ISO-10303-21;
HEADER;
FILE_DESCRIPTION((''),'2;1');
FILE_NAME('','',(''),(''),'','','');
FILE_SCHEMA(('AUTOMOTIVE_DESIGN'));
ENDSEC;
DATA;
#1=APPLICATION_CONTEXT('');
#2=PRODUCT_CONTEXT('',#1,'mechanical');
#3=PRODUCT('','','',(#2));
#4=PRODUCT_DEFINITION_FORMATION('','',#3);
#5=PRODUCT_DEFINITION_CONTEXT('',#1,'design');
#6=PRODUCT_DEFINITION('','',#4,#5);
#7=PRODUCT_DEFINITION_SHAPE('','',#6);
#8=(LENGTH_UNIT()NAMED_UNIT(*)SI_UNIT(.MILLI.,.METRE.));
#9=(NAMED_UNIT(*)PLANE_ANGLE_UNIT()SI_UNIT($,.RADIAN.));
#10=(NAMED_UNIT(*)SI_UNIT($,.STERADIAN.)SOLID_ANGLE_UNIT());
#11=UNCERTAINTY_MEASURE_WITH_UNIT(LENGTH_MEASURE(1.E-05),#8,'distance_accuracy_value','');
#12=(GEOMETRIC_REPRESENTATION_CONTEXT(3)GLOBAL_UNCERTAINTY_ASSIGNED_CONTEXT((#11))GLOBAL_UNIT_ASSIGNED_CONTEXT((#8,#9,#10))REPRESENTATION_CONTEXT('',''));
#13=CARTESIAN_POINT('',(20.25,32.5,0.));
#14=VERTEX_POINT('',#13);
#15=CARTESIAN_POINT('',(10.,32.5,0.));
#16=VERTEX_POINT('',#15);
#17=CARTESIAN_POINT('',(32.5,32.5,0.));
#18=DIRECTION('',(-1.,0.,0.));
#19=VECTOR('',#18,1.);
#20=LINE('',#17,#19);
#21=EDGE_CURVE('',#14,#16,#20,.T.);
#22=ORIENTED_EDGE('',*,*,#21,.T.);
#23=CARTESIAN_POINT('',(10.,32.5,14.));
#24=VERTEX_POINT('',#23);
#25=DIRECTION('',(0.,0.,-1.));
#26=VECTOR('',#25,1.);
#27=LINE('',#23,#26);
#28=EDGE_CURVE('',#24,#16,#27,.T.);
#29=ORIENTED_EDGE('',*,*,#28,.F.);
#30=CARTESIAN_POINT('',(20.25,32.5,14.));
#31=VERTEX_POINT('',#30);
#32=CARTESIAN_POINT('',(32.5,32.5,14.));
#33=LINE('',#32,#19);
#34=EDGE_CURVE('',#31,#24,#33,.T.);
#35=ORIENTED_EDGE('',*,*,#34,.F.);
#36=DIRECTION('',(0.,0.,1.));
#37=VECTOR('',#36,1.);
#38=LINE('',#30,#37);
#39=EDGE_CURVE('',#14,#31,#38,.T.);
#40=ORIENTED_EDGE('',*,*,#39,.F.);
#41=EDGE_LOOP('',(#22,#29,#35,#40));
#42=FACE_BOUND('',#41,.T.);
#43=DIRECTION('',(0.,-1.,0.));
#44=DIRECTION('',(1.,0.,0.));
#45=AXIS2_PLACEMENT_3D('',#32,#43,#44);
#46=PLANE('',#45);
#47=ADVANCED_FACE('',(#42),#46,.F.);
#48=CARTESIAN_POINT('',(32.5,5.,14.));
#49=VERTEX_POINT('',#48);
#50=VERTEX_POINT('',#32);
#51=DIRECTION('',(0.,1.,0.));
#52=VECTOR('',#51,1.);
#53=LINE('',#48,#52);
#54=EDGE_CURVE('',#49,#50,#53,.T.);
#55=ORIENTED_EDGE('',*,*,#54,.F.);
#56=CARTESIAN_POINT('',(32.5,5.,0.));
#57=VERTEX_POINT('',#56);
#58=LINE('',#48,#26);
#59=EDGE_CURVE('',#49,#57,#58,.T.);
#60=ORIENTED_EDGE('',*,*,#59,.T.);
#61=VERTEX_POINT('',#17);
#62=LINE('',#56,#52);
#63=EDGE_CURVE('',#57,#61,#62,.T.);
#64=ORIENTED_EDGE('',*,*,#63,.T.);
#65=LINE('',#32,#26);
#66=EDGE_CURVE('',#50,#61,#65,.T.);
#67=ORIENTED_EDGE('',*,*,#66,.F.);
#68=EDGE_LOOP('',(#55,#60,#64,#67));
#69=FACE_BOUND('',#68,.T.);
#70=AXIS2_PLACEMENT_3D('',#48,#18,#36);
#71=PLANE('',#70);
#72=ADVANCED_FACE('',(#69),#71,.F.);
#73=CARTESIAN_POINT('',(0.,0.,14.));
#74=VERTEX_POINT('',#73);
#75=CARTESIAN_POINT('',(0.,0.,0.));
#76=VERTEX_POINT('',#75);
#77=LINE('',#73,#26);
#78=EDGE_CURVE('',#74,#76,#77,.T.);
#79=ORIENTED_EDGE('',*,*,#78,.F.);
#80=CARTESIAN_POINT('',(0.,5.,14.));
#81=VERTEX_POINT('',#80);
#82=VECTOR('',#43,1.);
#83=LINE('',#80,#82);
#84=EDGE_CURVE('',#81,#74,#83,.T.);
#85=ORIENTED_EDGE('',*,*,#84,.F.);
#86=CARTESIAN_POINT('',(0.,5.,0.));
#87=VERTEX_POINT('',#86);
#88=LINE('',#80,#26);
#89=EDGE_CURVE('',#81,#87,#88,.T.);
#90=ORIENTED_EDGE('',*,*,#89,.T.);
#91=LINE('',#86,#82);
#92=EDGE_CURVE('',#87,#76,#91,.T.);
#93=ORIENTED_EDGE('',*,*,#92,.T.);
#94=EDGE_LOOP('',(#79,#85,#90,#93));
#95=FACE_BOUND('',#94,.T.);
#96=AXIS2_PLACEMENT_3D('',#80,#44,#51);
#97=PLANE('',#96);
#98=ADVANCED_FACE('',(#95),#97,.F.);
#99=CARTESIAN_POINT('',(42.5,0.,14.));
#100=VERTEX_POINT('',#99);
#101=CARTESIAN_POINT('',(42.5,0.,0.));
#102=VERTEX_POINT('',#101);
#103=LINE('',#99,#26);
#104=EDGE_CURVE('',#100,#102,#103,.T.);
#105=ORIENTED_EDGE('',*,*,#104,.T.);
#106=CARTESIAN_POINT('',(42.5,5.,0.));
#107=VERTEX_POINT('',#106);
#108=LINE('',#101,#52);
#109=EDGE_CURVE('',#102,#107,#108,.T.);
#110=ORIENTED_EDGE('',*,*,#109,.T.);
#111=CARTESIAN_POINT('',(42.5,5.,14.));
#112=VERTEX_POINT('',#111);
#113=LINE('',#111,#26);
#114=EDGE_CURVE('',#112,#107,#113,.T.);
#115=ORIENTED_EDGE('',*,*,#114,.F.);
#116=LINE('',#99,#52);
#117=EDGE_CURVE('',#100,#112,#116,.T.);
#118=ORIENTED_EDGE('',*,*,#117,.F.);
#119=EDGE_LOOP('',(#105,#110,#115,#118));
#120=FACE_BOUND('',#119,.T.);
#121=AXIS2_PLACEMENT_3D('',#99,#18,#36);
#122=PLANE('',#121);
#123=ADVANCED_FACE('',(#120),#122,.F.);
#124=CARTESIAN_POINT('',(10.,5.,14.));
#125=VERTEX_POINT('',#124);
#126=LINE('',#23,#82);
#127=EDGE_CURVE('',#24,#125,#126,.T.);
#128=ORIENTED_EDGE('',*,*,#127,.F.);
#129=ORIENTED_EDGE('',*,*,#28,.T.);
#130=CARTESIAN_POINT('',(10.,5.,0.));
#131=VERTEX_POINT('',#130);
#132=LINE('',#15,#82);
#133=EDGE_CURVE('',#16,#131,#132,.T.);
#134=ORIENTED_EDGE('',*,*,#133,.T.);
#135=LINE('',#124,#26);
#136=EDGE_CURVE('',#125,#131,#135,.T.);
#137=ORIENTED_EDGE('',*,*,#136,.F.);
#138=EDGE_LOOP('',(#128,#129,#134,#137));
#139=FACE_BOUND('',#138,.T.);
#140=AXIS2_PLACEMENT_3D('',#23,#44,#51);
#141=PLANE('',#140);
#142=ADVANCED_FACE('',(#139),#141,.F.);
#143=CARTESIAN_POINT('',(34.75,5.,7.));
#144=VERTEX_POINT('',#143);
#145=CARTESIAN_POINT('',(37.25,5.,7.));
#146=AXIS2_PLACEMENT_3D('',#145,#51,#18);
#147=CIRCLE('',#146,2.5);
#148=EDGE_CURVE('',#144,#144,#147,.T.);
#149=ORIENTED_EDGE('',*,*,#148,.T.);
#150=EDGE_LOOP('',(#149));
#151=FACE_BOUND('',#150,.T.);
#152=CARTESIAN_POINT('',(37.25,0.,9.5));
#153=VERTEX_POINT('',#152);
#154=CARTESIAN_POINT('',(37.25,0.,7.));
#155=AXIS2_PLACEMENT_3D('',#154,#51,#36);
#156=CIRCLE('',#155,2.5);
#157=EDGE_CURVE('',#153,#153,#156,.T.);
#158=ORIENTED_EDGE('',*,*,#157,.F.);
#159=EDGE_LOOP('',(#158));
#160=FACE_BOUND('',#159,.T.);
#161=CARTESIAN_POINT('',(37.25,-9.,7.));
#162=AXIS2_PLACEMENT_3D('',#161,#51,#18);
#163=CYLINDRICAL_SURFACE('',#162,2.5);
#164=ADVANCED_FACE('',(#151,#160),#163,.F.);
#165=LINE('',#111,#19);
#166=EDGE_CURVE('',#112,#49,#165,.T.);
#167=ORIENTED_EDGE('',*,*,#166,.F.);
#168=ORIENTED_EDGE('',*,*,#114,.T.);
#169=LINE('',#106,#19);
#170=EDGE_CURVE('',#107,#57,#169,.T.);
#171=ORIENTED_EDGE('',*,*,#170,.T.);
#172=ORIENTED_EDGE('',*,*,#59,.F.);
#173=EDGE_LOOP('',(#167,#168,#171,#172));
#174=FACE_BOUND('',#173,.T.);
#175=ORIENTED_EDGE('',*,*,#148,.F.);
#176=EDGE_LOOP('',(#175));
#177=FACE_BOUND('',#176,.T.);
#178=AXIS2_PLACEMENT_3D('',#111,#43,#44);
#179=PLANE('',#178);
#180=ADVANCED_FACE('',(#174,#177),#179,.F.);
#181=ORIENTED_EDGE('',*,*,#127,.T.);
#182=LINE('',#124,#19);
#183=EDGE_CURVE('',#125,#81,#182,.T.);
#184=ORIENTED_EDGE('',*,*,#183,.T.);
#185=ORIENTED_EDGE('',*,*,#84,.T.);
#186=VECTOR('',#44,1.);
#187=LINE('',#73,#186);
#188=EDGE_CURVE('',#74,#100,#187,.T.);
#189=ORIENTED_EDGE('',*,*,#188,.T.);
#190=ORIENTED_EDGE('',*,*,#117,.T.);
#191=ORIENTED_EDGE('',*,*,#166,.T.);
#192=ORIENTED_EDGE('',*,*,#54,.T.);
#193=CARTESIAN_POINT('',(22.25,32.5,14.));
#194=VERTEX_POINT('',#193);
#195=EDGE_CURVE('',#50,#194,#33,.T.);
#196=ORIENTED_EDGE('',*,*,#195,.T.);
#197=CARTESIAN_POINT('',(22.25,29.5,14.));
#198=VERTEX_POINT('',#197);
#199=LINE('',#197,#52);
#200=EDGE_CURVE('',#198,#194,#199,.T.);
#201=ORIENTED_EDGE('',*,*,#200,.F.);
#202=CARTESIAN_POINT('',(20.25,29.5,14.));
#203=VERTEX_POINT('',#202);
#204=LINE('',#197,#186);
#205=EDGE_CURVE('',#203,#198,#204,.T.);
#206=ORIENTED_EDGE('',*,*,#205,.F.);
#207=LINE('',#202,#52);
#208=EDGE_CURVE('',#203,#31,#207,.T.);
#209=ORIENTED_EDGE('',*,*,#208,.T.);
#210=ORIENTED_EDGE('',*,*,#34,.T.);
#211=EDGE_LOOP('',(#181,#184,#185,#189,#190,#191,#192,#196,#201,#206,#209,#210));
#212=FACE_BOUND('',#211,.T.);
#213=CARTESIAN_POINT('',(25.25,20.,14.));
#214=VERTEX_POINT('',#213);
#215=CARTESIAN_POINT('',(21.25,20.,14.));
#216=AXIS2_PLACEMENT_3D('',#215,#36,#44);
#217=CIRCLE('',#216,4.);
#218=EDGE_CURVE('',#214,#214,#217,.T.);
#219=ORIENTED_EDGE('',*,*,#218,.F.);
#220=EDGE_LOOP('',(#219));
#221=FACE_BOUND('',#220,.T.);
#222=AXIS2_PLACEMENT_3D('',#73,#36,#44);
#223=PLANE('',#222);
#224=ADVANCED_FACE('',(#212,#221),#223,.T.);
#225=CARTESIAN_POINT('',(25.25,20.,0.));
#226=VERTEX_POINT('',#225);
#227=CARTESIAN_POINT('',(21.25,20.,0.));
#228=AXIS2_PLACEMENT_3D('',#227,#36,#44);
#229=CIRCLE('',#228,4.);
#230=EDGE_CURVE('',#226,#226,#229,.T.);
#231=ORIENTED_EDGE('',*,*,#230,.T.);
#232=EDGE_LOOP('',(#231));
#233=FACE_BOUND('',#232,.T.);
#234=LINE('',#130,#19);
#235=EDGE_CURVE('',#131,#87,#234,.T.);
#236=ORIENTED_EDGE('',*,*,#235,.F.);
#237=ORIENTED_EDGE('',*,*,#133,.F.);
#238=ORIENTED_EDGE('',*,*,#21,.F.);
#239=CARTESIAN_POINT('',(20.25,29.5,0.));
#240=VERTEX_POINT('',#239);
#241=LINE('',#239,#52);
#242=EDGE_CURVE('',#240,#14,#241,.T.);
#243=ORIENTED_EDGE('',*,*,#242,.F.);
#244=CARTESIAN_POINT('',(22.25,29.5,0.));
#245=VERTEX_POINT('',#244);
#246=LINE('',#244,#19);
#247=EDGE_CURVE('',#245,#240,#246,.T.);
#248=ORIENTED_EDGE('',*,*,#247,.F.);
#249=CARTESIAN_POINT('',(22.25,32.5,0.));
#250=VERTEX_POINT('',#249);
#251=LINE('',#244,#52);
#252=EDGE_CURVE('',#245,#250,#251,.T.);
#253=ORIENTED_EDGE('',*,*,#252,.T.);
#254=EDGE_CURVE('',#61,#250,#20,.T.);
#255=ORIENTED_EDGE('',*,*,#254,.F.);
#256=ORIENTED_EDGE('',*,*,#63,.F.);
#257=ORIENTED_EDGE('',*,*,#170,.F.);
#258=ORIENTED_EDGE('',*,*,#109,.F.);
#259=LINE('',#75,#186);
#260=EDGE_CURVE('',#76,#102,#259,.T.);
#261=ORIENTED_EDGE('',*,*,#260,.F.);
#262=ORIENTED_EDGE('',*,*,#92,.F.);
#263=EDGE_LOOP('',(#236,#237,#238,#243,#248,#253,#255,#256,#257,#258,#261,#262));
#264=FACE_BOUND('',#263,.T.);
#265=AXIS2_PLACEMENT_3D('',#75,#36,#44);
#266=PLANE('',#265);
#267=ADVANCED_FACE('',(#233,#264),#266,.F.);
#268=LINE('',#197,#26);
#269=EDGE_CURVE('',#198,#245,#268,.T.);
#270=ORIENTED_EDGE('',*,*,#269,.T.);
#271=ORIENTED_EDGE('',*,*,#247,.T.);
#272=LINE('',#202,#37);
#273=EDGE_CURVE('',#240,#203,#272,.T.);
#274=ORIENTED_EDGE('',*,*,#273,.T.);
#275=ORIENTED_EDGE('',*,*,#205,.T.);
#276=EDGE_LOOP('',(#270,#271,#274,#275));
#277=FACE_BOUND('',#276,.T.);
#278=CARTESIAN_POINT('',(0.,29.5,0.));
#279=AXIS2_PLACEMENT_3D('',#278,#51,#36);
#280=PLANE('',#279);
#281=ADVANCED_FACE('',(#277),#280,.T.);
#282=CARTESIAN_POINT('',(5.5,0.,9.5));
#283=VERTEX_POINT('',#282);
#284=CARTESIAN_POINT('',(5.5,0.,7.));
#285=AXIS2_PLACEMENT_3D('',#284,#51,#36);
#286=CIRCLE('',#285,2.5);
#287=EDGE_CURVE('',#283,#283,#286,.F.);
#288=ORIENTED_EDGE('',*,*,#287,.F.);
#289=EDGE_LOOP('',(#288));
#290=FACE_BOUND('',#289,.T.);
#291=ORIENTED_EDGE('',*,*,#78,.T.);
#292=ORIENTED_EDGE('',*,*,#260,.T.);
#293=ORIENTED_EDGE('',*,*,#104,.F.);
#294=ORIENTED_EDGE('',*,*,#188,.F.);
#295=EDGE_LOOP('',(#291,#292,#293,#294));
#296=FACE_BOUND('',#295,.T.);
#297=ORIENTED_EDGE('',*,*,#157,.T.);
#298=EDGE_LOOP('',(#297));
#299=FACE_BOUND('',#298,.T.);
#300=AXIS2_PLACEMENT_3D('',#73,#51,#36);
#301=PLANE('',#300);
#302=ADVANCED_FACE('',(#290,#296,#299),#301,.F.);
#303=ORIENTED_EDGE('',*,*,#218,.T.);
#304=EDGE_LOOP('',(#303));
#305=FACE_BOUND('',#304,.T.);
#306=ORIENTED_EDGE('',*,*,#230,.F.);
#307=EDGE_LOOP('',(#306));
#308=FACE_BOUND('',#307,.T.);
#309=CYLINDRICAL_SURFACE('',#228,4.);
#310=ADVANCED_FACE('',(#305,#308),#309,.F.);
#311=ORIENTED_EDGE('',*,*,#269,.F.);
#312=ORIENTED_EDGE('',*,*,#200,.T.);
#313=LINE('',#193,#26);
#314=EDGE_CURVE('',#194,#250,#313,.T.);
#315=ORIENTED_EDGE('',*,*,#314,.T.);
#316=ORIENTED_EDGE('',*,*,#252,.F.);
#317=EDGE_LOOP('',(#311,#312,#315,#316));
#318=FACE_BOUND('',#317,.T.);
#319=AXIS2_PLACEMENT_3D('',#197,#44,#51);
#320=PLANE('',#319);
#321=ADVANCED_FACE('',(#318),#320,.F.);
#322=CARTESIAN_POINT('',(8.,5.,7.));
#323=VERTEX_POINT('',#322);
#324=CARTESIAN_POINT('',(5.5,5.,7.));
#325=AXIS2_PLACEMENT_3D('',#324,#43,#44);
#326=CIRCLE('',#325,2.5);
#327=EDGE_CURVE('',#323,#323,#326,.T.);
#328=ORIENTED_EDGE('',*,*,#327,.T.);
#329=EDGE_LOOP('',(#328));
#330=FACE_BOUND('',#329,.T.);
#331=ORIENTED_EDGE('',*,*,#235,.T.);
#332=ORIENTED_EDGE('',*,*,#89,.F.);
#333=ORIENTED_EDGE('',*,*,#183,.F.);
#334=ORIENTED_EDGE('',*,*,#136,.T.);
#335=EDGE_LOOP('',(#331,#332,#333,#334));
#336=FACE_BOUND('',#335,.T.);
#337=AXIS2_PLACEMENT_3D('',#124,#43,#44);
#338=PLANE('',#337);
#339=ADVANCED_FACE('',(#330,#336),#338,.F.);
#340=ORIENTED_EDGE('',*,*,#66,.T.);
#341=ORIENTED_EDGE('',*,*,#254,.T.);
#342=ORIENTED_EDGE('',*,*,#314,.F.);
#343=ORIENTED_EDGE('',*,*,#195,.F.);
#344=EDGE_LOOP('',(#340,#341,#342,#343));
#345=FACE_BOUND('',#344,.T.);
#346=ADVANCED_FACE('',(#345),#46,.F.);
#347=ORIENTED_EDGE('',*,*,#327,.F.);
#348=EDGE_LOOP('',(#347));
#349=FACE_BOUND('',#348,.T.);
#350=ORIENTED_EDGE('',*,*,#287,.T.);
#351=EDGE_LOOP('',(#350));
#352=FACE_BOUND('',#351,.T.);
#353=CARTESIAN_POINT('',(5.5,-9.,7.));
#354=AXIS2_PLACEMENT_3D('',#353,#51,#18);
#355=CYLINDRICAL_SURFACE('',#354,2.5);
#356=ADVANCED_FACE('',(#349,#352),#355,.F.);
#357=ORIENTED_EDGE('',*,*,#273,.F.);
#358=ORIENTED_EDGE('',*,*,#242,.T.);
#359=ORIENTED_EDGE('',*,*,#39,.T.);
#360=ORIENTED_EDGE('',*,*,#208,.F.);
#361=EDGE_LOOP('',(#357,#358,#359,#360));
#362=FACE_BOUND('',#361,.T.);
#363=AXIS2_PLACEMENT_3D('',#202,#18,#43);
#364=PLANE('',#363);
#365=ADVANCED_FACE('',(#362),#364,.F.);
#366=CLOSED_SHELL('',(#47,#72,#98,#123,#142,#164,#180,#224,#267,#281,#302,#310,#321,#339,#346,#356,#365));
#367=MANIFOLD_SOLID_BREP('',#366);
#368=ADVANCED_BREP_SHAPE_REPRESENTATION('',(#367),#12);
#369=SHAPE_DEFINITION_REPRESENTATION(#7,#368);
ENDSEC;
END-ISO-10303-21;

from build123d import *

# Parameters (mm, degrees)
BOSS_EXTRUDE1_DEPTH = 14
SKETCH2_R           = 4
CUT_EXTRUDE1_DEPTH  = 56.303706928
SKETCH3_R           = 2.5
CUT_EXTRUDE2_DEPTH  = 14
SKETCH4_R           = 2.5
CUT_EXTRUDE3_DEPTH  = 14
SKETCH5_W           = 2
SKETCH5_H           = 14
CUT_EXTRUDE4_DEPTH  = 3


with BuildPart() as part:
    # Sketch1 → Boss-Extrude1 (new body)
    with BuildSketch(Plane.XY):
        Polygon((0, 0), (42.5, 0), (42.5, 5), (32.5, 5), (32.5, 32.5), (10, 32.5), (10, 5), (0, 5), align=None)
    extrude(amount=BOSS_EXTRUDE1_DEPTH)

    # Sketch2 → Cut-Extrude1 (cut, through all)
    with BuildSketch(Plane.XY.offset(14)):
        with Locations((21.25, 20)):
            Circle(SKETCH2_R)
    extrude(amount=-CUT_EXTRUDE1_DEPTH, mode=Mode.SUBTRACT)

    # Sketch3 → Cut-Extrude2 (cut)
    with BuildSketch(Plane(origin=(0, 5, 0), x_dir=(1, 0, 0), z_dir=(0, 1, 0))):
        with Locations(Location((5.5, -7, 0), (0, 0, 270))):
            Circle(SKETCH3_R)
    extrude(amount=-CUT_EXTRUDE2_DEPTH, mode=Mode.SUBTRACT)

    # Sketch4 → Cut-Extrude3 (cut)
    with BuildSketch(Plane(origin=(0, 5, 0), x_dir=(1, 0, 0), z_dir=(0, 1, 0))):
        with Locations(Location((37.25, -7, 0), (0, 0, 180))):
            Circle(SKETCH4_R)
    extrude(amount=-CUT_EXTRUDE3_DEPTH, mode=Mode.SUBTRACT)

    # Sketch5 → Cut-Extrude4 (cut)
    with BuildSketch(Plane(origin=(0, 32.5, 0), x_dir=(1, 0, 0), z_dir=(0, 1, 0))):
        with Locations((21.25, -7)):
            Rectangle(SKETCH5_W, SKETCH5_H)
    extrude(amount=-CUT_EXTRUDE4_DEPTH, mode=Mode.SUBTRACT)


solid = part.part
